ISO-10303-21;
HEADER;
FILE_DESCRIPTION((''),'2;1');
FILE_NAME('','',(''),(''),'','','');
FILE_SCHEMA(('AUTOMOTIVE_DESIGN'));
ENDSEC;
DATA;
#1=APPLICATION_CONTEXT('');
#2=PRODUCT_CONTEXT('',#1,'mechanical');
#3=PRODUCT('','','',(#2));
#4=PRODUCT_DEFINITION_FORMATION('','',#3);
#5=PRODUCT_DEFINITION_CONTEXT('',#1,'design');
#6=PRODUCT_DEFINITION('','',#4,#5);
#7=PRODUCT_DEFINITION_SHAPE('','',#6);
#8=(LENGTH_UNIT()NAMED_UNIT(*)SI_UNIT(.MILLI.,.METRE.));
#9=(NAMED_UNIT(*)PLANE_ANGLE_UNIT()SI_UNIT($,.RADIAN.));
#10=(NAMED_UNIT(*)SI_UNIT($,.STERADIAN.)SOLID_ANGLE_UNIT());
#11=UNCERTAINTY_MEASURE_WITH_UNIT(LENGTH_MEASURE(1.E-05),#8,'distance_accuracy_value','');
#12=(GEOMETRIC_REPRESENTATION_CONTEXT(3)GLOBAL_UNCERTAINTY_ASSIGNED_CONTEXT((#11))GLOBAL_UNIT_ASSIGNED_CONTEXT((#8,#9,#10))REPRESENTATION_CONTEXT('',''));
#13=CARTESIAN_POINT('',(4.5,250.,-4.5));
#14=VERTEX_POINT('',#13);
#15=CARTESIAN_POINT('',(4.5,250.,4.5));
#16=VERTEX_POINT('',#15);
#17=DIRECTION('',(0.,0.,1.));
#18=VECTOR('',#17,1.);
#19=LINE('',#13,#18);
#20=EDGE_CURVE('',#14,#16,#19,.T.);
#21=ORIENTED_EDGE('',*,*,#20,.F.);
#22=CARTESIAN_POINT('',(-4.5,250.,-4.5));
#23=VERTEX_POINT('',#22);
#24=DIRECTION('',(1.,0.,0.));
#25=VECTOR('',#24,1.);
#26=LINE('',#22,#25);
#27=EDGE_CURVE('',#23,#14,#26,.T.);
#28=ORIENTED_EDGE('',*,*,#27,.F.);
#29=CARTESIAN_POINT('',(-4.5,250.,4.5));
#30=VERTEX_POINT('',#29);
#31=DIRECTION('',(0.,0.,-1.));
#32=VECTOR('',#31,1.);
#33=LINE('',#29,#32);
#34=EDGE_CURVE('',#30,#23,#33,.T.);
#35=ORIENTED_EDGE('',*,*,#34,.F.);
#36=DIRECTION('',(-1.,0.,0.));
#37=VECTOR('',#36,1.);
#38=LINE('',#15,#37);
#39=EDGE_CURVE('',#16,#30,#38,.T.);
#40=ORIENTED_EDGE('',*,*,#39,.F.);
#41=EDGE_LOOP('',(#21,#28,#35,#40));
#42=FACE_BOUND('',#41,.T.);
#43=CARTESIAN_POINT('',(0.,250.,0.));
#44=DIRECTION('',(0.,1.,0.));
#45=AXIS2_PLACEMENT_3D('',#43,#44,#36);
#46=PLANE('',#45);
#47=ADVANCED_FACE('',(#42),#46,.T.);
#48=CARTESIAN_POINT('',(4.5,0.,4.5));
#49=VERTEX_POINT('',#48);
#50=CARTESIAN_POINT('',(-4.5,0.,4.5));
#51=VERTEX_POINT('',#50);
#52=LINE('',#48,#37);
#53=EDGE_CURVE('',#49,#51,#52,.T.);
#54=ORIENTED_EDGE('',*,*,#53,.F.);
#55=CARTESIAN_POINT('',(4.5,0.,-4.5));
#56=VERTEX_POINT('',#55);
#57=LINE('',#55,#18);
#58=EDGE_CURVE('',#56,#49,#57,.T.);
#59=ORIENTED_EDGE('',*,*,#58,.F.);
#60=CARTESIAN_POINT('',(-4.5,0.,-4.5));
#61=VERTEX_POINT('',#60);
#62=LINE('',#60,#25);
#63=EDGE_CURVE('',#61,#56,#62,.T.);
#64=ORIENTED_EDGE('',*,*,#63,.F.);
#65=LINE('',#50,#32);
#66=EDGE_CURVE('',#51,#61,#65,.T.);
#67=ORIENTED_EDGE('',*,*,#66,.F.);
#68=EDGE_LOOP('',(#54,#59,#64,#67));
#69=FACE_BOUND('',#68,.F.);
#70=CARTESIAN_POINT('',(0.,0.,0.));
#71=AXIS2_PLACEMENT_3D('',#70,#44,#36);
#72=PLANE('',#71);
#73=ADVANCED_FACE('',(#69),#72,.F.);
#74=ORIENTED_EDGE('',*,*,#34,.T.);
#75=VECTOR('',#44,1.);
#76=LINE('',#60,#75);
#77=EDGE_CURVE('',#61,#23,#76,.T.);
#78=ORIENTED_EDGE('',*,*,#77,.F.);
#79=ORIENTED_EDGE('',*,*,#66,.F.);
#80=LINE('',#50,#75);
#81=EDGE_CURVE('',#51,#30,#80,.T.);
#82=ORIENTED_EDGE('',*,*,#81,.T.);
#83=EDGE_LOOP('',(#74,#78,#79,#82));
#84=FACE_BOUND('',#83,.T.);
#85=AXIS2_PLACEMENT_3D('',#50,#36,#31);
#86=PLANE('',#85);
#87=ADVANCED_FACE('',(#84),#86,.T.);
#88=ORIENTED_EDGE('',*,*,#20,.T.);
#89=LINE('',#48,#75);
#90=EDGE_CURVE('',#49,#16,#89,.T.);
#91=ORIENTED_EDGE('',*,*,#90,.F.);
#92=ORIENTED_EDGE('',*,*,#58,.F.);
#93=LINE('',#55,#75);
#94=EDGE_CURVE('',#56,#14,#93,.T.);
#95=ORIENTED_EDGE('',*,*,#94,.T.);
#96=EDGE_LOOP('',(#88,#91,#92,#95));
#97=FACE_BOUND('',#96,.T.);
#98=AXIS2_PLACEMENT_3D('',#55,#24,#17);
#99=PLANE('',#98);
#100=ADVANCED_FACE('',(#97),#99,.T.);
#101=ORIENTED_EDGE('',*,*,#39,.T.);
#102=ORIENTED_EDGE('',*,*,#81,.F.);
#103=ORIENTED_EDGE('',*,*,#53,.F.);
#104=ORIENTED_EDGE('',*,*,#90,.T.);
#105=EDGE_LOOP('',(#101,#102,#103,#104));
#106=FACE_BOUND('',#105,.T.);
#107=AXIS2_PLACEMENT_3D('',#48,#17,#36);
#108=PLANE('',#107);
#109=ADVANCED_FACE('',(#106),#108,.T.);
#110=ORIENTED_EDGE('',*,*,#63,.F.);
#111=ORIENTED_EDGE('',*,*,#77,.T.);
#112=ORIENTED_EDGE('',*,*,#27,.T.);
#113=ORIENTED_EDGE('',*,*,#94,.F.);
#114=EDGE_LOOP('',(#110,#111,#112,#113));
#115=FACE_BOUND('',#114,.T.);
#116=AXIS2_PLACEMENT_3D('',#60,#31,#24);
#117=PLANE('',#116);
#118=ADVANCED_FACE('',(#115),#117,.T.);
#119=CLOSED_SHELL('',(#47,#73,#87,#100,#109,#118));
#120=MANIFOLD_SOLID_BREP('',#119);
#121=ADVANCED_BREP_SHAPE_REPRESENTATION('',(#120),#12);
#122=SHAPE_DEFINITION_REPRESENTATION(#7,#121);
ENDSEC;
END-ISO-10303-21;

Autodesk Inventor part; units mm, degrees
ref_plane "YZ Plane" through (0, 0, 0) normal (1, 0, 0) x (0, 1, 0)
ref_plane "XZ Plane" through (0, 0, 0) normal (0, 1, 0) x (-1, 0, 0)
ref_plane "XY Plane" through (0, 0, 0) normal (0, 0, 1) x (1, 0, 0)
sketch "Sketch1" plane through (0, 0, 0) normal (0, 1, 0) x (-1, 0, 0)
  line L0 (-4.5, 4.5) -> (4.5, 4.5)
  line L1 (4.5, 4.5) -> (4.5, -4.5)
  line L2 (4.5, -4.5) -> (-4.5, -4.5)
  line L3 (-4.5, -4.5) -> (-4.5, 4.5)
  line L4 (-4.5, 4.5) -> (4.5, -4.5) construction
  line L5 (4.5, 4.5) -> (-4.5, -4.5) construction
  point P0 (0, 0)
  dimension "d0" = 9
  dimension "d1" = 9
extrude "Extrusion1" add sketch "Sketch1" along normal blind 250
properties part number "Cremaillere" material "PPS Plastic"
